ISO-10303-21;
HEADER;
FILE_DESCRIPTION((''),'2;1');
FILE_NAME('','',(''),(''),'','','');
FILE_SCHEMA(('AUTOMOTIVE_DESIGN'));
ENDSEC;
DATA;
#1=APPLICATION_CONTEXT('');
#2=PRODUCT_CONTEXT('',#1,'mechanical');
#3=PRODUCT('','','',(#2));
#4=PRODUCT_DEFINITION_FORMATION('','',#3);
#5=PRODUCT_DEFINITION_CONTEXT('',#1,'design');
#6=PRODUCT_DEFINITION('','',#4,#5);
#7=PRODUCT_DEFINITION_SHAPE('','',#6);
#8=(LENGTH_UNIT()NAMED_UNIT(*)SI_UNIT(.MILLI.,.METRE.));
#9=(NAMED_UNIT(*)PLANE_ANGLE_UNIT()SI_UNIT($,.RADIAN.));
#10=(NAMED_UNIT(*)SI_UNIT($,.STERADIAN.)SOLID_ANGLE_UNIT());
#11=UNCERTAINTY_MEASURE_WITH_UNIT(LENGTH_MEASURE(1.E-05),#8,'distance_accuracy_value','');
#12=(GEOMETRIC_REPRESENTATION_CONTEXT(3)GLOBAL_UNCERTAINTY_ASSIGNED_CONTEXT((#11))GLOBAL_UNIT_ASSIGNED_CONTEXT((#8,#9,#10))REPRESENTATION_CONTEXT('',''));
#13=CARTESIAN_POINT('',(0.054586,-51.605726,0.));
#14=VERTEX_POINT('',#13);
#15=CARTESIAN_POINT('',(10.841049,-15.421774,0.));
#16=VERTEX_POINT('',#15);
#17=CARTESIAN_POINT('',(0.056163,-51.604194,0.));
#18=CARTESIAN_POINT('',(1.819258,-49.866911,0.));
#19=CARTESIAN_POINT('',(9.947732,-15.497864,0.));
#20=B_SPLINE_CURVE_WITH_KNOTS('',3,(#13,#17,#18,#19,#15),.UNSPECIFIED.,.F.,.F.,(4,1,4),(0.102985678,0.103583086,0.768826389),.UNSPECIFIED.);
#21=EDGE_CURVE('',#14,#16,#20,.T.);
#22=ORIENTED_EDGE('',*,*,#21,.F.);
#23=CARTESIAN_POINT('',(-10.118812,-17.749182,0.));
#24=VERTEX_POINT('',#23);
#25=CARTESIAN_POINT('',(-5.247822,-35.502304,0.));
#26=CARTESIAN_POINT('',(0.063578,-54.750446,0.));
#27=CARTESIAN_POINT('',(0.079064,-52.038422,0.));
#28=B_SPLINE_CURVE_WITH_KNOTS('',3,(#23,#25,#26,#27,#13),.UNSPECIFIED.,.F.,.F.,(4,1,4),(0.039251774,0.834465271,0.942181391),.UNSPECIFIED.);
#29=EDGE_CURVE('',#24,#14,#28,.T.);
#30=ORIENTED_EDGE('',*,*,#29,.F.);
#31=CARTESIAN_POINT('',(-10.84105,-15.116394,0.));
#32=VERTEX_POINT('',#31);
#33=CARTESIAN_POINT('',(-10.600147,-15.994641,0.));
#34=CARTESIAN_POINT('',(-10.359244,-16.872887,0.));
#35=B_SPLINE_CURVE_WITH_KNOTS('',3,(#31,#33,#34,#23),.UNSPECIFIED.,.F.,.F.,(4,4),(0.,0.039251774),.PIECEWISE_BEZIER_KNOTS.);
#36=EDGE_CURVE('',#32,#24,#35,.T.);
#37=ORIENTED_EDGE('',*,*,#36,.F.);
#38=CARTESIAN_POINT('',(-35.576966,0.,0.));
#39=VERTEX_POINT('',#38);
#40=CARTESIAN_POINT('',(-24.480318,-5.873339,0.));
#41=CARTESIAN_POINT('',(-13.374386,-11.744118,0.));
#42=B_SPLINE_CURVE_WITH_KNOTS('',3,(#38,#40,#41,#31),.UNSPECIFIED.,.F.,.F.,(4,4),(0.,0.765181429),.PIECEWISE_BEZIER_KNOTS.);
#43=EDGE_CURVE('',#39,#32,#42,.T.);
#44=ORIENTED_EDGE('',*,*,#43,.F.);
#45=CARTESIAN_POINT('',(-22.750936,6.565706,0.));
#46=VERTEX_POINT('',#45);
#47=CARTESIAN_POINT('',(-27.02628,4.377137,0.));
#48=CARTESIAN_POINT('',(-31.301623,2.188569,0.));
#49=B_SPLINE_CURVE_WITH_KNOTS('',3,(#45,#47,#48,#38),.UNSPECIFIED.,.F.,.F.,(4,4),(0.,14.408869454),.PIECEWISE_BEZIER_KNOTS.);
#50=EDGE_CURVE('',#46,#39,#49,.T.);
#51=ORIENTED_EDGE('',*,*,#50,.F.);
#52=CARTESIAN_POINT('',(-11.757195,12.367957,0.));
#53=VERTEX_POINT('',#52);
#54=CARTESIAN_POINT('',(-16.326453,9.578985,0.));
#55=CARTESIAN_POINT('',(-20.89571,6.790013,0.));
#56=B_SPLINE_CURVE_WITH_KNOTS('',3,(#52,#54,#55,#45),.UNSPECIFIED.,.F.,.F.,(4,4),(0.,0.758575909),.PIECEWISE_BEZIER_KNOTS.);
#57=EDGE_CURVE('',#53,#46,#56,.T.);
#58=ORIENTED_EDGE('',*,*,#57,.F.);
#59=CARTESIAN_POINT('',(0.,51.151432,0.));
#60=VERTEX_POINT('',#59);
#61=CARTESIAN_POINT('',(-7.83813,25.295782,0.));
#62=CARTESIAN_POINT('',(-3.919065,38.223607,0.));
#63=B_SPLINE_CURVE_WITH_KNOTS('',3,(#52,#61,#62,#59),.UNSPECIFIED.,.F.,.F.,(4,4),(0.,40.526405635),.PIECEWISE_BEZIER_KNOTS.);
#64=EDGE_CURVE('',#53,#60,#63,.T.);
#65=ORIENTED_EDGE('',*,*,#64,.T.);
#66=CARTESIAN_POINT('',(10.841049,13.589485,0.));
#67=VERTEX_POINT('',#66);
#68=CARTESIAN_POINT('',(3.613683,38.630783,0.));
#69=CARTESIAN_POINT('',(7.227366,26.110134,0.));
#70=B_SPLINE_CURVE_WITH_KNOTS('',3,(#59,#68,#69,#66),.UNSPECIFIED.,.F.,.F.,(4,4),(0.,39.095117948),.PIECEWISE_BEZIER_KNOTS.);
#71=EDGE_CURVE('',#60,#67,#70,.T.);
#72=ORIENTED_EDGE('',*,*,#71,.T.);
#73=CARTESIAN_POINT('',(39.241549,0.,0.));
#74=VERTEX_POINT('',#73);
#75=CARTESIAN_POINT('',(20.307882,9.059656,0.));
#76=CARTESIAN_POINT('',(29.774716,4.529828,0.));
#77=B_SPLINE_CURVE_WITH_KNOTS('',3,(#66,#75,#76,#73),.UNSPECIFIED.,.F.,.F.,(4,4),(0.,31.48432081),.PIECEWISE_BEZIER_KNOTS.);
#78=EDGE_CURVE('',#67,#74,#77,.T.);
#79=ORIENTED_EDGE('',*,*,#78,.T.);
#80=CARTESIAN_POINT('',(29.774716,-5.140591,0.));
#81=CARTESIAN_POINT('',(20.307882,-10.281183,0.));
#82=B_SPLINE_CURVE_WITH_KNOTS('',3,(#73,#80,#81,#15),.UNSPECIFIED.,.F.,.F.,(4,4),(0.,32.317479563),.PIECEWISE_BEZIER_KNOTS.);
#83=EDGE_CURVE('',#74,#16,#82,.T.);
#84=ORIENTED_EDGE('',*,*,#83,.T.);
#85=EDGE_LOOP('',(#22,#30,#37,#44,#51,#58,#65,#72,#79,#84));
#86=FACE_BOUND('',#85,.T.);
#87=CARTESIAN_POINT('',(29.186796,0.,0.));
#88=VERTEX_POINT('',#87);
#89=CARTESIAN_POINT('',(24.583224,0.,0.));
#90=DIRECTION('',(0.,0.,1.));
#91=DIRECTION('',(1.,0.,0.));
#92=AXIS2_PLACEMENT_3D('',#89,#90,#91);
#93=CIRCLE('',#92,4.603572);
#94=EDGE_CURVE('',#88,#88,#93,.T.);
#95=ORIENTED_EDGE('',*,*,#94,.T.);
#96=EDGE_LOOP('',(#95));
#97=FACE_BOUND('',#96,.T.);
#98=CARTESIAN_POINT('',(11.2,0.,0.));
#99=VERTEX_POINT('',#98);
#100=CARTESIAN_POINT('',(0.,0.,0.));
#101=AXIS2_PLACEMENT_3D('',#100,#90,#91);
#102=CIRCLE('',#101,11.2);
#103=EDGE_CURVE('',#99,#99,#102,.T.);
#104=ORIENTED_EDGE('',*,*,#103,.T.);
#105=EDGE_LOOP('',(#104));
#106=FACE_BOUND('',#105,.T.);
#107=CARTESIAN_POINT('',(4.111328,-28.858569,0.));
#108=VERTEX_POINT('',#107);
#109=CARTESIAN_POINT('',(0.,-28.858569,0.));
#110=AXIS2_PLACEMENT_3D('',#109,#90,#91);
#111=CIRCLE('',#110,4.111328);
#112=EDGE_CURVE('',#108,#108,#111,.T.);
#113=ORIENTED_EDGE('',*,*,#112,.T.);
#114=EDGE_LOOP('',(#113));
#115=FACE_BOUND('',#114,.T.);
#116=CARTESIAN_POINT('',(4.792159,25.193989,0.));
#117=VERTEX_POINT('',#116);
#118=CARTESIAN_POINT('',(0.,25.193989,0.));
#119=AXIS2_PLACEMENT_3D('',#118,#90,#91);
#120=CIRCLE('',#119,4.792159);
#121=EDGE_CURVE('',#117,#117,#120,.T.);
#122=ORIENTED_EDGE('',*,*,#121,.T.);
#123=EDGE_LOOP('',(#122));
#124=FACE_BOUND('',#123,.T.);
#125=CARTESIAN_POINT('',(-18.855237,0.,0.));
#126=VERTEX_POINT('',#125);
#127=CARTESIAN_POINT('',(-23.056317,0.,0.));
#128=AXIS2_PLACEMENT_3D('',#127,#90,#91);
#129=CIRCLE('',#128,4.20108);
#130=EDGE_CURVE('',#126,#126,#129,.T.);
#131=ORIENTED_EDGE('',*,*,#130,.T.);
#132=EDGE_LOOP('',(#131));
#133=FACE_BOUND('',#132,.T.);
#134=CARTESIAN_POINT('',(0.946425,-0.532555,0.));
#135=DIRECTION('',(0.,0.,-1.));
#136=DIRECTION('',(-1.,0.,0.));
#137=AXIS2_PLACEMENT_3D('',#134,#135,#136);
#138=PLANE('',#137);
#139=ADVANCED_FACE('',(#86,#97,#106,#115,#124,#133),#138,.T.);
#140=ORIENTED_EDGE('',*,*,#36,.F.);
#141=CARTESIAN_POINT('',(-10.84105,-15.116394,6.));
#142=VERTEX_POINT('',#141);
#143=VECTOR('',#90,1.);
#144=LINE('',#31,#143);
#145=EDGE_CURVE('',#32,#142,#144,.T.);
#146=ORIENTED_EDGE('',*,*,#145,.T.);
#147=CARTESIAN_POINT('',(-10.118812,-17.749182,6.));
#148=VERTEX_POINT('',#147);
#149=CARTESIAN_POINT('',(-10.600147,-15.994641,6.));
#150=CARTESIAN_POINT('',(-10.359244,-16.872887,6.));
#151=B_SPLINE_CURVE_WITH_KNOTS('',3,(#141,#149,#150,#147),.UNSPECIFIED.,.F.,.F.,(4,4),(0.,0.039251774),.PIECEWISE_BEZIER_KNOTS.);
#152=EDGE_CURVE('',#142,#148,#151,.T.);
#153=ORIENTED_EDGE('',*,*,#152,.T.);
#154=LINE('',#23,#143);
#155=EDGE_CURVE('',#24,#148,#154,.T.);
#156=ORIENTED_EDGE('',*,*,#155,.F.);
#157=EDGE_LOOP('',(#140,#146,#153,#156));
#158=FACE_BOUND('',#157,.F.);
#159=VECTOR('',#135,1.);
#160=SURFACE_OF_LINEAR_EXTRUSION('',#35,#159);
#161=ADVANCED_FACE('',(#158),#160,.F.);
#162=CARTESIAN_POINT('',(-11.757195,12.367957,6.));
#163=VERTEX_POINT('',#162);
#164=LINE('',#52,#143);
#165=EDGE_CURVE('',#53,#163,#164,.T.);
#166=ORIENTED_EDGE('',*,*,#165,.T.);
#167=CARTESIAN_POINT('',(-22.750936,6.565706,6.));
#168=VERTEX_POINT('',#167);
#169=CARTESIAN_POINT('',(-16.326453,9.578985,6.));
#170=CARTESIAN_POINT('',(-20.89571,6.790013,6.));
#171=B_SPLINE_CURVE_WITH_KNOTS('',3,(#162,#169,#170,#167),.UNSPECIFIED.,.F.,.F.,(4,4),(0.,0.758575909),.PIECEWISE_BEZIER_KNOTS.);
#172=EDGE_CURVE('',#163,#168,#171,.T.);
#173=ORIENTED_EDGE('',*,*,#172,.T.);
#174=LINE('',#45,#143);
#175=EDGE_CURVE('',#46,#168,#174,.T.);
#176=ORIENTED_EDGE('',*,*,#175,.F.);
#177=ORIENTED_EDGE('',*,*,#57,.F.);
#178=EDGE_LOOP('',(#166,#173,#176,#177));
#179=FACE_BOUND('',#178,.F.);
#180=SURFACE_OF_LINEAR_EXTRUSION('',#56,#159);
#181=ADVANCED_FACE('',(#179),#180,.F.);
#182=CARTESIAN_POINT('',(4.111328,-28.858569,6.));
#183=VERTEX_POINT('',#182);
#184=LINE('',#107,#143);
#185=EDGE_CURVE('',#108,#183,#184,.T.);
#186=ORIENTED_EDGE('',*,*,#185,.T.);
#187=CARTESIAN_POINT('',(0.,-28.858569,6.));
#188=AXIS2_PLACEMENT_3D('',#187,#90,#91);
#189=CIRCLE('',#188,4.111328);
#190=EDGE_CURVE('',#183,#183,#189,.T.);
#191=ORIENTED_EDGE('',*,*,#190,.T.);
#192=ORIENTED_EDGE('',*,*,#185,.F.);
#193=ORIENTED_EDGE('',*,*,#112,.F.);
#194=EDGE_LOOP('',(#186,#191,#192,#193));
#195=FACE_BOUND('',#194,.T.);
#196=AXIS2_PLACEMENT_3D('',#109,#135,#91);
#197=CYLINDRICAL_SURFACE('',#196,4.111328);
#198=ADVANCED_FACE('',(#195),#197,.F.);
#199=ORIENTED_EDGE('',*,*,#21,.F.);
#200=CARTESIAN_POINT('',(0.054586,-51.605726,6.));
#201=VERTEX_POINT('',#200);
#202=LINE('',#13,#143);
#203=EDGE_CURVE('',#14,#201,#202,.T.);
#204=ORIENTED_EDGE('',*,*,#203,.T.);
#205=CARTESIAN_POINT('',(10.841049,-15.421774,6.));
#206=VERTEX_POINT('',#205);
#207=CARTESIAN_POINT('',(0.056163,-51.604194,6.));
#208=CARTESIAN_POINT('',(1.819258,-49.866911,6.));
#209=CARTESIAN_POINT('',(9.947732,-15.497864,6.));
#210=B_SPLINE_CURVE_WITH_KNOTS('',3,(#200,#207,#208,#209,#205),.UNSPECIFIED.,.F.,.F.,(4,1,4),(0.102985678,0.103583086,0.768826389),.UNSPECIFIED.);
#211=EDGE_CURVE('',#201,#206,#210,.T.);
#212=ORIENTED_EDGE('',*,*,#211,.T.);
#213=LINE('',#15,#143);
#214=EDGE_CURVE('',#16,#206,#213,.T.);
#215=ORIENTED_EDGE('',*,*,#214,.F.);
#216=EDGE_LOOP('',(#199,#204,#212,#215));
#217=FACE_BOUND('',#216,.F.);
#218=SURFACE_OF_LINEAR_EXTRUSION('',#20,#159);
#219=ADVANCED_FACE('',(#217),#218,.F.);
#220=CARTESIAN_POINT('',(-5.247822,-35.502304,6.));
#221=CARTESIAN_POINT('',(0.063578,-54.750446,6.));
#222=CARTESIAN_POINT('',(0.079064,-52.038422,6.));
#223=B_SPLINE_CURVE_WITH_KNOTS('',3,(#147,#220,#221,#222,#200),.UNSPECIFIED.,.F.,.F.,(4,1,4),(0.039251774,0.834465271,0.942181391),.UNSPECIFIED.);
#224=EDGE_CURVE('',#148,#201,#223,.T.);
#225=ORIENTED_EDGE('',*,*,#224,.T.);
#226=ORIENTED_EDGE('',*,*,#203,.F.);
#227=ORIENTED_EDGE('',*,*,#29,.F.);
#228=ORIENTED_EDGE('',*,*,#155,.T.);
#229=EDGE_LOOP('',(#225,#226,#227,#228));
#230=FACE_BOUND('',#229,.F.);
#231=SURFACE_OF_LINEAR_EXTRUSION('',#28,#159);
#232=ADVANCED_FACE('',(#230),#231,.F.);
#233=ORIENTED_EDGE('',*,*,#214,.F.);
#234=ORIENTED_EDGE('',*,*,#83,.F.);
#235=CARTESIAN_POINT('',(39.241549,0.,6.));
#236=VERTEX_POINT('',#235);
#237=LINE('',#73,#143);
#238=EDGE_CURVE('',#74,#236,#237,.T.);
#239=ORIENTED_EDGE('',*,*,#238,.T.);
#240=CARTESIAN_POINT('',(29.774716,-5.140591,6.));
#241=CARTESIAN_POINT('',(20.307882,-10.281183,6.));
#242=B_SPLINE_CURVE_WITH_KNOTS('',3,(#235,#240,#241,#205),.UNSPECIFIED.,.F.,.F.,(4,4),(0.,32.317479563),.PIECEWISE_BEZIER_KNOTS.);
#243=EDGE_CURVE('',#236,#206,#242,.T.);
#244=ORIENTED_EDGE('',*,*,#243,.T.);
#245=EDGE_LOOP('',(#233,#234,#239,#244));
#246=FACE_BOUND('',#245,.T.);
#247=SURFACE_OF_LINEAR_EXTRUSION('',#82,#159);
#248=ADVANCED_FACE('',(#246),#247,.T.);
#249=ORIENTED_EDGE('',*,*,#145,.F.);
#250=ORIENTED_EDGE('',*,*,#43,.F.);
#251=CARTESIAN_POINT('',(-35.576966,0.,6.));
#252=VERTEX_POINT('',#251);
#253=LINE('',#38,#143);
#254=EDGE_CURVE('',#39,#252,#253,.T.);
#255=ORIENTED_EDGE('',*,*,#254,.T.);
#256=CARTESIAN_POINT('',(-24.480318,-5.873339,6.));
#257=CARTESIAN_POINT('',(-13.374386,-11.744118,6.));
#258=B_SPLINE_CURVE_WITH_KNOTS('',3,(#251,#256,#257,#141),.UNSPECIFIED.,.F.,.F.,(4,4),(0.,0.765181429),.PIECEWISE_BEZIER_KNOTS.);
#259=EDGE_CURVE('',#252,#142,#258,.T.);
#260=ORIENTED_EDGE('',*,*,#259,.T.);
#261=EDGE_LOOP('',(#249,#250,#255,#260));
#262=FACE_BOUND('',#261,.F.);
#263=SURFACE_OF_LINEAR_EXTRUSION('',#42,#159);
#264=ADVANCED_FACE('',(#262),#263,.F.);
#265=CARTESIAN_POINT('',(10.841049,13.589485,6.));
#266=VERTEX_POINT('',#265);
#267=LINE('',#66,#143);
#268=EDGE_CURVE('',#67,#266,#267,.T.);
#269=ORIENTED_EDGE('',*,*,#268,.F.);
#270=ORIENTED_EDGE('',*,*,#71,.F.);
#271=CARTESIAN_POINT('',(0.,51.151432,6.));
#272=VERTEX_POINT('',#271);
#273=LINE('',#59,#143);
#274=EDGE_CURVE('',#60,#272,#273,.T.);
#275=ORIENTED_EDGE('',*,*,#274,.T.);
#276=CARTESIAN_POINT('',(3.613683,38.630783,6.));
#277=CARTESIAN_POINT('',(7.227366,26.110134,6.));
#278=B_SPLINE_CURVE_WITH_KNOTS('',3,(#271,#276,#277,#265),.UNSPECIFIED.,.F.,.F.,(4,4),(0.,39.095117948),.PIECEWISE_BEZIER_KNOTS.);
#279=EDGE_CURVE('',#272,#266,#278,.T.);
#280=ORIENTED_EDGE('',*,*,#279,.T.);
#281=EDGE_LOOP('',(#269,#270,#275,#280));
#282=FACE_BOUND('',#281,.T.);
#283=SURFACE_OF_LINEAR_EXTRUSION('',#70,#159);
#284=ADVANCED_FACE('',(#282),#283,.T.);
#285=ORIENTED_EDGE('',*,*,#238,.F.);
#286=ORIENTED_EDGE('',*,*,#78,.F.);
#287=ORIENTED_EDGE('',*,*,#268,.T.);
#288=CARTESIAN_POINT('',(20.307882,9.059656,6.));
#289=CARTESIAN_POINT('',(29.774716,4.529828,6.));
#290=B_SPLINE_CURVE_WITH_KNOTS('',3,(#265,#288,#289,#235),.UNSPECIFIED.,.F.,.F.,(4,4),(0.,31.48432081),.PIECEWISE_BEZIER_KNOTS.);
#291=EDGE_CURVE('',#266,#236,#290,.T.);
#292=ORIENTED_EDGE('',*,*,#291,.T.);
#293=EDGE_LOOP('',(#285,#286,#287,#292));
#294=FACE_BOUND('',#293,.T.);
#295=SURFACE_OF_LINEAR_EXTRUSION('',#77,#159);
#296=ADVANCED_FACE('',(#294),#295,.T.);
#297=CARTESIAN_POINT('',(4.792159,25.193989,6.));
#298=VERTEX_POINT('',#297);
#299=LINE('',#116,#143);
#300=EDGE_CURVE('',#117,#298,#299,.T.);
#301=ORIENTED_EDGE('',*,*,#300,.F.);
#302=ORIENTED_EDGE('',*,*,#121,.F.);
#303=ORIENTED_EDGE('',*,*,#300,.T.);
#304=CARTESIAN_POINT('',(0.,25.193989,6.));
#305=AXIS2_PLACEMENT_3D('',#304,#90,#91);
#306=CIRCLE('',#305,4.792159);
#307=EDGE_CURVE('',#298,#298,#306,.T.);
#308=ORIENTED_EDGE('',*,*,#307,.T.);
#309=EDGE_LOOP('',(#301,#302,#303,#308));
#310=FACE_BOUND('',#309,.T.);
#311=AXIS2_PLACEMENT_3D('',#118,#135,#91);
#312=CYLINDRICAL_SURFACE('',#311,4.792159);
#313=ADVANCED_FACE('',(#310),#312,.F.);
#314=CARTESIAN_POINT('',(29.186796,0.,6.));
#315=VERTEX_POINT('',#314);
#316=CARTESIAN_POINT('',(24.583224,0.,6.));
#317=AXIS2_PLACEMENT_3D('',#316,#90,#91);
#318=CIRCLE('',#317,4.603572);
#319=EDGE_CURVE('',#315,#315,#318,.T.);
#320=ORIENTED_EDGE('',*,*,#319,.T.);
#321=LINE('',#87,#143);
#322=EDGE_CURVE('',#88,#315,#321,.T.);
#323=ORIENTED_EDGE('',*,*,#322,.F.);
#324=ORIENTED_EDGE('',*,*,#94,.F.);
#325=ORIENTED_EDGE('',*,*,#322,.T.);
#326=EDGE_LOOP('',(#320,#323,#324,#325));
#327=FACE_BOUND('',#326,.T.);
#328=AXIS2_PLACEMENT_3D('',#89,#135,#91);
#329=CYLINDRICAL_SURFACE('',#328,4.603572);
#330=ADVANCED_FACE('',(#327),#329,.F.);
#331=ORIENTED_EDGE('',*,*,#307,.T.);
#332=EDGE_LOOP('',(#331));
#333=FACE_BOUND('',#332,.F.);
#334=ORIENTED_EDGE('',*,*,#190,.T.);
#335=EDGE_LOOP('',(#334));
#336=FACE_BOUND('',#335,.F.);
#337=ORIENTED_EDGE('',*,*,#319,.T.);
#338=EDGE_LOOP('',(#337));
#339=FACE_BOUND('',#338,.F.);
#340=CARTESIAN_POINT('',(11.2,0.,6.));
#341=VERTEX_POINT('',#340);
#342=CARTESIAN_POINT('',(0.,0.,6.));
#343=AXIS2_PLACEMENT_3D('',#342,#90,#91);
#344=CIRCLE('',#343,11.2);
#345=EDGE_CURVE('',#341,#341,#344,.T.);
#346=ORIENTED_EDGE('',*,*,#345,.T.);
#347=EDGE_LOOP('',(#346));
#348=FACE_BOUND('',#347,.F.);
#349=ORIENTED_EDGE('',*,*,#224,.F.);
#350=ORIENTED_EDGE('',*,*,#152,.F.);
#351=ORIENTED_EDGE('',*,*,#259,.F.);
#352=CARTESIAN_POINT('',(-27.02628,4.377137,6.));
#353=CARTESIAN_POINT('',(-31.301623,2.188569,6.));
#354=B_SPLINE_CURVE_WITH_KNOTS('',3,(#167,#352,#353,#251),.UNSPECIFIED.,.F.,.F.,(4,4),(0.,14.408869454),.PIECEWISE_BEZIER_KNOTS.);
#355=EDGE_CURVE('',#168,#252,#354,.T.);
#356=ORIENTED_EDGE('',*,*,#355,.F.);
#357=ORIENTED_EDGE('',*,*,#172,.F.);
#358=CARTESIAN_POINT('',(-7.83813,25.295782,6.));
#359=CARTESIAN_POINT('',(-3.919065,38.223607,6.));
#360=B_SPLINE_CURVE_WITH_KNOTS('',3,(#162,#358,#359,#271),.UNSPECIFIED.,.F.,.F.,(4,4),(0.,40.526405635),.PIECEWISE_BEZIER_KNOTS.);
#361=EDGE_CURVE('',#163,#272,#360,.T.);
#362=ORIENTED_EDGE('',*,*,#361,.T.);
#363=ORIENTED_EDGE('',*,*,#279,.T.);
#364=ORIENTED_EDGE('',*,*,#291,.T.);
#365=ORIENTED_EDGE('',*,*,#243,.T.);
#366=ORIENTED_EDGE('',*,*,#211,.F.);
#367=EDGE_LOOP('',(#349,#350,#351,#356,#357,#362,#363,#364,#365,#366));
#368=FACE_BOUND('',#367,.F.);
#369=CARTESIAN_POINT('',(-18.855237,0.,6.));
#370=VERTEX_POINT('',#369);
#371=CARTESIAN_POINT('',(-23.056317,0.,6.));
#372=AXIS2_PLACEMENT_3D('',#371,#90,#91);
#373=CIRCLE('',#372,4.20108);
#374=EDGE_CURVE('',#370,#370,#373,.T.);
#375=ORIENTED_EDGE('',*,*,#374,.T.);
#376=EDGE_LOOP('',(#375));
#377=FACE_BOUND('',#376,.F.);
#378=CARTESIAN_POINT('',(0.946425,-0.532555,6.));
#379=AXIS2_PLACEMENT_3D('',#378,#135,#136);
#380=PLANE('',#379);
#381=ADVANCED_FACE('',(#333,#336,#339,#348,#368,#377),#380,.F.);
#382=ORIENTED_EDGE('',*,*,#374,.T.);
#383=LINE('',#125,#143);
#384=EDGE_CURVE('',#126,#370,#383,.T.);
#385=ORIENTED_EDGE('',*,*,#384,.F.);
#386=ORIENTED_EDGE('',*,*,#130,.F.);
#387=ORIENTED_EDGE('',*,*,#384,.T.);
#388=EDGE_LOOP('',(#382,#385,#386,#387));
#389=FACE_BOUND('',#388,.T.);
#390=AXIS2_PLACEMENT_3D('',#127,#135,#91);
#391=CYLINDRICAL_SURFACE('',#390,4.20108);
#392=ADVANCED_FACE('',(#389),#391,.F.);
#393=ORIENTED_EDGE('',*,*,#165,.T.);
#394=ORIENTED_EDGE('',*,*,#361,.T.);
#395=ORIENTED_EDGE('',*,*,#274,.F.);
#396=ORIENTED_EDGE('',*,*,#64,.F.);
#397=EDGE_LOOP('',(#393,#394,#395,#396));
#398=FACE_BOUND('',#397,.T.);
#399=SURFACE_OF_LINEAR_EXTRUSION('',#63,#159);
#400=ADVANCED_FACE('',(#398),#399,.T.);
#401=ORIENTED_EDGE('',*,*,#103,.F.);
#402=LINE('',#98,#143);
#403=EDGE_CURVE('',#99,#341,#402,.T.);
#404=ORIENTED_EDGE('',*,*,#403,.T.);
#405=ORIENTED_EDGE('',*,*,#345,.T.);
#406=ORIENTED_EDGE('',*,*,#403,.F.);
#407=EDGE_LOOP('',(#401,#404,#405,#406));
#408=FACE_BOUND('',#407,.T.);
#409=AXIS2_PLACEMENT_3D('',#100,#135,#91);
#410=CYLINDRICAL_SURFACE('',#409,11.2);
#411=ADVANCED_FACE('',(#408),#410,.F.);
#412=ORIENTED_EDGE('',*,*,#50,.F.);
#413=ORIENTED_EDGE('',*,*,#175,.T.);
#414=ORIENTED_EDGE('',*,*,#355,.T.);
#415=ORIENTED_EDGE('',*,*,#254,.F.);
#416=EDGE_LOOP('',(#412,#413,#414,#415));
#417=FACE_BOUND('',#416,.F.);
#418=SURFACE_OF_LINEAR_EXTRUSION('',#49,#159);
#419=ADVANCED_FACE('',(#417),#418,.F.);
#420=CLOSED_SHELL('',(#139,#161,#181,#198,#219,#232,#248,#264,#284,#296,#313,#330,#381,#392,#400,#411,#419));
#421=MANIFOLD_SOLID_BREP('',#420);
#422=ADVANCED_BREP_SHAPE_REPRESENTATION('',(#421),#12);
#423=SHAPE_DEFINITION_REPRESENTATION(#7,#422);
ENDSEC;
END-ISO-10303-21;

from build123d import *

# Parameters (mm, degrees)
F0_R     = 4.1113279518
F0_R_2   = 4.2010796743
F0_R_3   = 11.2
F0_R_4   = 4.7921586316
F0_R_5   = 4.6035716371
F1_DEPTH = 6


with BuildPart() as f1:
    # F0 (on Top) → F1 (new body)
    with BuildSketch(Plane.XY):
        with BuildLine():
            add(Edge.make_bspline(
                [(-11.7571949959, 12.3679572716), (-7.8381299973, 25.2957822134), (-3.9190649986, 38.2236071552), (0, 51.151432097)],
                knots=[0, 0, 0, 0, 40.5264056351, 40.5264056351, 40.5264056351, 40.5264056351], degree=3))
            add(Edge.make_bspline(
                [(-11.7571949959, 12.3679572716), (-16.3264527426, 9.5789851049), (-20.8957104894, 6.7900129382), (-22.7509364486, 6.5657058731)],
                knots=[0, 0, 0, 0, 0.7585759095, 0.7585759095, 0.7585759095, 0.7585759095], degree=3))
            add(Edge.make_bspline(
                [(-22.7509364486, 6.5657058731), (-27.026279519, 4.3771372487), (-31.3016225894, 2.1885686244), (-35.5769656599, 0)],
                knots=[0, 0, 0, 0, 14.4088694539, 14.4088694539, 14.4088694539, 14.4088694539], degree=3))
            add(Edge.make_bspline(
                [(-35.5769656599, 0), (-24.4803183994, -5.8733391441), (-13.3743859336, -11.7441177324), (-10.8410501853, -15.1163935661)],
                knots=[0, 0, 0, 0, 0.7651814294, 0.7651814294, 0.7651814294, 0.7651814294], degree=3))
            add(Edge.make_bspline(
                [(-10.8410501853, -15.1163935661), (-10.0636211256, -16.1512762231), (-10.0935171209, -16.950862162), (-10.1188118498, -17.7491823416)],
                knots=[0.7651814294, 0.7651814294, 0.7651814294, 0.7651814294, 1, 1, 1, 1], degree=3))
            add(Edge.make_bspline(
                [(-10.1188118498, -17.7491823416), (-5.2478221786, -35.50230375), (0.0635778237, -54.7504464657), (0.079064247, -52.0384216774), (0.0545864384, -51.6057262149)],
                knots=[0.039251774, 0.039251774, 0.039251774, 0.039251774, 0.8344652709, 0.9421813909, 0.9421813909, 0.9421813909, 0.9421813909], degree=3))
            add(Edge.make_bspline(
                [(0.0545864447, -51.6057262181), (0.0561632418, -51.6041936028), (1.8192578277, -49.8669108852), (9.9477322471, -15.4978644081), (10.8410492539, -15.4217742383)],
                knots=[0.1029856776, 0.1029856776, 0.1029856776, 0.1029856776, 0.1035830863, 0.7688263891, 0.7688263891, 0.7688263891, 0.7688263891], degree=3))
            add(Edge.make_bspline(
                [(39.2415486276, 0), (29.7747155031, -5.1405914128), (20.3078823785, -10.2811828256), (10.8410492539, -15.4217742383)],
                knots=[0, 0, 0, 0, 32.3174795634, 32.3174795634, 32.3174795634, 32.3174795634], degree=3))
            add(Edge.make_bspline(
                [(10.8410492539, 13.5894846171), (20.3078823785, 9.0596564114), (29.7747155031, 4.5298282057), (39.2415486276, 0)],
                knots=[0, 0, 0, 0, 31.4843208095, 31.4843208095, 31.4843208095, 31.4843208095], degree=3))
            add(Edge.make_bspline(
                [(0, 51.151432097), (3.6136830846, 38.630782937), (7.2273661693, 26.1101337771), (10.8410492539, 13.5894846171)],
                knots=[0, 0, 0, 0, 39.0951179485, 39.0951179485, 39.0951179485, 39.0951179485], degree=3))
        make_face()
        with Locations((0, -28.8585685194)):
            Circle(F0_R, mode=Mode.SUBTRACT)
        with Locations((-23.0563171208, 0)):
            Circle(F0_R_2, mode=Mode.SUBTRACT)
        Circle(F0_R_3, mode=Mode.SUBTRACT)
        with Locations((0, 25.1939892769)):
            Circle(F0_R_4, mode=Mode.SUBTRACT)
        with Locations((24.5832242072, 0)):
            Circle(F0_R_5, mode=Mode.SUBTRACT)
        with BuildLine():
            add(Edge.make_bspline(
                [(-10.8410501853, -15.1163935661), (-10.0636211256, -16.1512762231), (-10.0935171209, -16.950862162), (-10.1188118498, -17.7491823416)],
                knots=[0.7651814294, 0.7651814294, 0.7651814294, 0.7651814294, 1, 1, 1, 1], degree=3))
            add(Edge.make_bspline(
                [(-10.8410501853, -15.1163935661), (-10.6001471523, -15.9946405177), (-10.3592441194, -16.8728874693), (-10.1188118498, -17.7491823416)],
                knots=[0, 0, 0, 0, 0.039251774, 0.039251774, 0.039251774, 0.039251774], degree=3))
        make_face()
    extrude(amount=F1_DEPTH)


solid = f1.part
